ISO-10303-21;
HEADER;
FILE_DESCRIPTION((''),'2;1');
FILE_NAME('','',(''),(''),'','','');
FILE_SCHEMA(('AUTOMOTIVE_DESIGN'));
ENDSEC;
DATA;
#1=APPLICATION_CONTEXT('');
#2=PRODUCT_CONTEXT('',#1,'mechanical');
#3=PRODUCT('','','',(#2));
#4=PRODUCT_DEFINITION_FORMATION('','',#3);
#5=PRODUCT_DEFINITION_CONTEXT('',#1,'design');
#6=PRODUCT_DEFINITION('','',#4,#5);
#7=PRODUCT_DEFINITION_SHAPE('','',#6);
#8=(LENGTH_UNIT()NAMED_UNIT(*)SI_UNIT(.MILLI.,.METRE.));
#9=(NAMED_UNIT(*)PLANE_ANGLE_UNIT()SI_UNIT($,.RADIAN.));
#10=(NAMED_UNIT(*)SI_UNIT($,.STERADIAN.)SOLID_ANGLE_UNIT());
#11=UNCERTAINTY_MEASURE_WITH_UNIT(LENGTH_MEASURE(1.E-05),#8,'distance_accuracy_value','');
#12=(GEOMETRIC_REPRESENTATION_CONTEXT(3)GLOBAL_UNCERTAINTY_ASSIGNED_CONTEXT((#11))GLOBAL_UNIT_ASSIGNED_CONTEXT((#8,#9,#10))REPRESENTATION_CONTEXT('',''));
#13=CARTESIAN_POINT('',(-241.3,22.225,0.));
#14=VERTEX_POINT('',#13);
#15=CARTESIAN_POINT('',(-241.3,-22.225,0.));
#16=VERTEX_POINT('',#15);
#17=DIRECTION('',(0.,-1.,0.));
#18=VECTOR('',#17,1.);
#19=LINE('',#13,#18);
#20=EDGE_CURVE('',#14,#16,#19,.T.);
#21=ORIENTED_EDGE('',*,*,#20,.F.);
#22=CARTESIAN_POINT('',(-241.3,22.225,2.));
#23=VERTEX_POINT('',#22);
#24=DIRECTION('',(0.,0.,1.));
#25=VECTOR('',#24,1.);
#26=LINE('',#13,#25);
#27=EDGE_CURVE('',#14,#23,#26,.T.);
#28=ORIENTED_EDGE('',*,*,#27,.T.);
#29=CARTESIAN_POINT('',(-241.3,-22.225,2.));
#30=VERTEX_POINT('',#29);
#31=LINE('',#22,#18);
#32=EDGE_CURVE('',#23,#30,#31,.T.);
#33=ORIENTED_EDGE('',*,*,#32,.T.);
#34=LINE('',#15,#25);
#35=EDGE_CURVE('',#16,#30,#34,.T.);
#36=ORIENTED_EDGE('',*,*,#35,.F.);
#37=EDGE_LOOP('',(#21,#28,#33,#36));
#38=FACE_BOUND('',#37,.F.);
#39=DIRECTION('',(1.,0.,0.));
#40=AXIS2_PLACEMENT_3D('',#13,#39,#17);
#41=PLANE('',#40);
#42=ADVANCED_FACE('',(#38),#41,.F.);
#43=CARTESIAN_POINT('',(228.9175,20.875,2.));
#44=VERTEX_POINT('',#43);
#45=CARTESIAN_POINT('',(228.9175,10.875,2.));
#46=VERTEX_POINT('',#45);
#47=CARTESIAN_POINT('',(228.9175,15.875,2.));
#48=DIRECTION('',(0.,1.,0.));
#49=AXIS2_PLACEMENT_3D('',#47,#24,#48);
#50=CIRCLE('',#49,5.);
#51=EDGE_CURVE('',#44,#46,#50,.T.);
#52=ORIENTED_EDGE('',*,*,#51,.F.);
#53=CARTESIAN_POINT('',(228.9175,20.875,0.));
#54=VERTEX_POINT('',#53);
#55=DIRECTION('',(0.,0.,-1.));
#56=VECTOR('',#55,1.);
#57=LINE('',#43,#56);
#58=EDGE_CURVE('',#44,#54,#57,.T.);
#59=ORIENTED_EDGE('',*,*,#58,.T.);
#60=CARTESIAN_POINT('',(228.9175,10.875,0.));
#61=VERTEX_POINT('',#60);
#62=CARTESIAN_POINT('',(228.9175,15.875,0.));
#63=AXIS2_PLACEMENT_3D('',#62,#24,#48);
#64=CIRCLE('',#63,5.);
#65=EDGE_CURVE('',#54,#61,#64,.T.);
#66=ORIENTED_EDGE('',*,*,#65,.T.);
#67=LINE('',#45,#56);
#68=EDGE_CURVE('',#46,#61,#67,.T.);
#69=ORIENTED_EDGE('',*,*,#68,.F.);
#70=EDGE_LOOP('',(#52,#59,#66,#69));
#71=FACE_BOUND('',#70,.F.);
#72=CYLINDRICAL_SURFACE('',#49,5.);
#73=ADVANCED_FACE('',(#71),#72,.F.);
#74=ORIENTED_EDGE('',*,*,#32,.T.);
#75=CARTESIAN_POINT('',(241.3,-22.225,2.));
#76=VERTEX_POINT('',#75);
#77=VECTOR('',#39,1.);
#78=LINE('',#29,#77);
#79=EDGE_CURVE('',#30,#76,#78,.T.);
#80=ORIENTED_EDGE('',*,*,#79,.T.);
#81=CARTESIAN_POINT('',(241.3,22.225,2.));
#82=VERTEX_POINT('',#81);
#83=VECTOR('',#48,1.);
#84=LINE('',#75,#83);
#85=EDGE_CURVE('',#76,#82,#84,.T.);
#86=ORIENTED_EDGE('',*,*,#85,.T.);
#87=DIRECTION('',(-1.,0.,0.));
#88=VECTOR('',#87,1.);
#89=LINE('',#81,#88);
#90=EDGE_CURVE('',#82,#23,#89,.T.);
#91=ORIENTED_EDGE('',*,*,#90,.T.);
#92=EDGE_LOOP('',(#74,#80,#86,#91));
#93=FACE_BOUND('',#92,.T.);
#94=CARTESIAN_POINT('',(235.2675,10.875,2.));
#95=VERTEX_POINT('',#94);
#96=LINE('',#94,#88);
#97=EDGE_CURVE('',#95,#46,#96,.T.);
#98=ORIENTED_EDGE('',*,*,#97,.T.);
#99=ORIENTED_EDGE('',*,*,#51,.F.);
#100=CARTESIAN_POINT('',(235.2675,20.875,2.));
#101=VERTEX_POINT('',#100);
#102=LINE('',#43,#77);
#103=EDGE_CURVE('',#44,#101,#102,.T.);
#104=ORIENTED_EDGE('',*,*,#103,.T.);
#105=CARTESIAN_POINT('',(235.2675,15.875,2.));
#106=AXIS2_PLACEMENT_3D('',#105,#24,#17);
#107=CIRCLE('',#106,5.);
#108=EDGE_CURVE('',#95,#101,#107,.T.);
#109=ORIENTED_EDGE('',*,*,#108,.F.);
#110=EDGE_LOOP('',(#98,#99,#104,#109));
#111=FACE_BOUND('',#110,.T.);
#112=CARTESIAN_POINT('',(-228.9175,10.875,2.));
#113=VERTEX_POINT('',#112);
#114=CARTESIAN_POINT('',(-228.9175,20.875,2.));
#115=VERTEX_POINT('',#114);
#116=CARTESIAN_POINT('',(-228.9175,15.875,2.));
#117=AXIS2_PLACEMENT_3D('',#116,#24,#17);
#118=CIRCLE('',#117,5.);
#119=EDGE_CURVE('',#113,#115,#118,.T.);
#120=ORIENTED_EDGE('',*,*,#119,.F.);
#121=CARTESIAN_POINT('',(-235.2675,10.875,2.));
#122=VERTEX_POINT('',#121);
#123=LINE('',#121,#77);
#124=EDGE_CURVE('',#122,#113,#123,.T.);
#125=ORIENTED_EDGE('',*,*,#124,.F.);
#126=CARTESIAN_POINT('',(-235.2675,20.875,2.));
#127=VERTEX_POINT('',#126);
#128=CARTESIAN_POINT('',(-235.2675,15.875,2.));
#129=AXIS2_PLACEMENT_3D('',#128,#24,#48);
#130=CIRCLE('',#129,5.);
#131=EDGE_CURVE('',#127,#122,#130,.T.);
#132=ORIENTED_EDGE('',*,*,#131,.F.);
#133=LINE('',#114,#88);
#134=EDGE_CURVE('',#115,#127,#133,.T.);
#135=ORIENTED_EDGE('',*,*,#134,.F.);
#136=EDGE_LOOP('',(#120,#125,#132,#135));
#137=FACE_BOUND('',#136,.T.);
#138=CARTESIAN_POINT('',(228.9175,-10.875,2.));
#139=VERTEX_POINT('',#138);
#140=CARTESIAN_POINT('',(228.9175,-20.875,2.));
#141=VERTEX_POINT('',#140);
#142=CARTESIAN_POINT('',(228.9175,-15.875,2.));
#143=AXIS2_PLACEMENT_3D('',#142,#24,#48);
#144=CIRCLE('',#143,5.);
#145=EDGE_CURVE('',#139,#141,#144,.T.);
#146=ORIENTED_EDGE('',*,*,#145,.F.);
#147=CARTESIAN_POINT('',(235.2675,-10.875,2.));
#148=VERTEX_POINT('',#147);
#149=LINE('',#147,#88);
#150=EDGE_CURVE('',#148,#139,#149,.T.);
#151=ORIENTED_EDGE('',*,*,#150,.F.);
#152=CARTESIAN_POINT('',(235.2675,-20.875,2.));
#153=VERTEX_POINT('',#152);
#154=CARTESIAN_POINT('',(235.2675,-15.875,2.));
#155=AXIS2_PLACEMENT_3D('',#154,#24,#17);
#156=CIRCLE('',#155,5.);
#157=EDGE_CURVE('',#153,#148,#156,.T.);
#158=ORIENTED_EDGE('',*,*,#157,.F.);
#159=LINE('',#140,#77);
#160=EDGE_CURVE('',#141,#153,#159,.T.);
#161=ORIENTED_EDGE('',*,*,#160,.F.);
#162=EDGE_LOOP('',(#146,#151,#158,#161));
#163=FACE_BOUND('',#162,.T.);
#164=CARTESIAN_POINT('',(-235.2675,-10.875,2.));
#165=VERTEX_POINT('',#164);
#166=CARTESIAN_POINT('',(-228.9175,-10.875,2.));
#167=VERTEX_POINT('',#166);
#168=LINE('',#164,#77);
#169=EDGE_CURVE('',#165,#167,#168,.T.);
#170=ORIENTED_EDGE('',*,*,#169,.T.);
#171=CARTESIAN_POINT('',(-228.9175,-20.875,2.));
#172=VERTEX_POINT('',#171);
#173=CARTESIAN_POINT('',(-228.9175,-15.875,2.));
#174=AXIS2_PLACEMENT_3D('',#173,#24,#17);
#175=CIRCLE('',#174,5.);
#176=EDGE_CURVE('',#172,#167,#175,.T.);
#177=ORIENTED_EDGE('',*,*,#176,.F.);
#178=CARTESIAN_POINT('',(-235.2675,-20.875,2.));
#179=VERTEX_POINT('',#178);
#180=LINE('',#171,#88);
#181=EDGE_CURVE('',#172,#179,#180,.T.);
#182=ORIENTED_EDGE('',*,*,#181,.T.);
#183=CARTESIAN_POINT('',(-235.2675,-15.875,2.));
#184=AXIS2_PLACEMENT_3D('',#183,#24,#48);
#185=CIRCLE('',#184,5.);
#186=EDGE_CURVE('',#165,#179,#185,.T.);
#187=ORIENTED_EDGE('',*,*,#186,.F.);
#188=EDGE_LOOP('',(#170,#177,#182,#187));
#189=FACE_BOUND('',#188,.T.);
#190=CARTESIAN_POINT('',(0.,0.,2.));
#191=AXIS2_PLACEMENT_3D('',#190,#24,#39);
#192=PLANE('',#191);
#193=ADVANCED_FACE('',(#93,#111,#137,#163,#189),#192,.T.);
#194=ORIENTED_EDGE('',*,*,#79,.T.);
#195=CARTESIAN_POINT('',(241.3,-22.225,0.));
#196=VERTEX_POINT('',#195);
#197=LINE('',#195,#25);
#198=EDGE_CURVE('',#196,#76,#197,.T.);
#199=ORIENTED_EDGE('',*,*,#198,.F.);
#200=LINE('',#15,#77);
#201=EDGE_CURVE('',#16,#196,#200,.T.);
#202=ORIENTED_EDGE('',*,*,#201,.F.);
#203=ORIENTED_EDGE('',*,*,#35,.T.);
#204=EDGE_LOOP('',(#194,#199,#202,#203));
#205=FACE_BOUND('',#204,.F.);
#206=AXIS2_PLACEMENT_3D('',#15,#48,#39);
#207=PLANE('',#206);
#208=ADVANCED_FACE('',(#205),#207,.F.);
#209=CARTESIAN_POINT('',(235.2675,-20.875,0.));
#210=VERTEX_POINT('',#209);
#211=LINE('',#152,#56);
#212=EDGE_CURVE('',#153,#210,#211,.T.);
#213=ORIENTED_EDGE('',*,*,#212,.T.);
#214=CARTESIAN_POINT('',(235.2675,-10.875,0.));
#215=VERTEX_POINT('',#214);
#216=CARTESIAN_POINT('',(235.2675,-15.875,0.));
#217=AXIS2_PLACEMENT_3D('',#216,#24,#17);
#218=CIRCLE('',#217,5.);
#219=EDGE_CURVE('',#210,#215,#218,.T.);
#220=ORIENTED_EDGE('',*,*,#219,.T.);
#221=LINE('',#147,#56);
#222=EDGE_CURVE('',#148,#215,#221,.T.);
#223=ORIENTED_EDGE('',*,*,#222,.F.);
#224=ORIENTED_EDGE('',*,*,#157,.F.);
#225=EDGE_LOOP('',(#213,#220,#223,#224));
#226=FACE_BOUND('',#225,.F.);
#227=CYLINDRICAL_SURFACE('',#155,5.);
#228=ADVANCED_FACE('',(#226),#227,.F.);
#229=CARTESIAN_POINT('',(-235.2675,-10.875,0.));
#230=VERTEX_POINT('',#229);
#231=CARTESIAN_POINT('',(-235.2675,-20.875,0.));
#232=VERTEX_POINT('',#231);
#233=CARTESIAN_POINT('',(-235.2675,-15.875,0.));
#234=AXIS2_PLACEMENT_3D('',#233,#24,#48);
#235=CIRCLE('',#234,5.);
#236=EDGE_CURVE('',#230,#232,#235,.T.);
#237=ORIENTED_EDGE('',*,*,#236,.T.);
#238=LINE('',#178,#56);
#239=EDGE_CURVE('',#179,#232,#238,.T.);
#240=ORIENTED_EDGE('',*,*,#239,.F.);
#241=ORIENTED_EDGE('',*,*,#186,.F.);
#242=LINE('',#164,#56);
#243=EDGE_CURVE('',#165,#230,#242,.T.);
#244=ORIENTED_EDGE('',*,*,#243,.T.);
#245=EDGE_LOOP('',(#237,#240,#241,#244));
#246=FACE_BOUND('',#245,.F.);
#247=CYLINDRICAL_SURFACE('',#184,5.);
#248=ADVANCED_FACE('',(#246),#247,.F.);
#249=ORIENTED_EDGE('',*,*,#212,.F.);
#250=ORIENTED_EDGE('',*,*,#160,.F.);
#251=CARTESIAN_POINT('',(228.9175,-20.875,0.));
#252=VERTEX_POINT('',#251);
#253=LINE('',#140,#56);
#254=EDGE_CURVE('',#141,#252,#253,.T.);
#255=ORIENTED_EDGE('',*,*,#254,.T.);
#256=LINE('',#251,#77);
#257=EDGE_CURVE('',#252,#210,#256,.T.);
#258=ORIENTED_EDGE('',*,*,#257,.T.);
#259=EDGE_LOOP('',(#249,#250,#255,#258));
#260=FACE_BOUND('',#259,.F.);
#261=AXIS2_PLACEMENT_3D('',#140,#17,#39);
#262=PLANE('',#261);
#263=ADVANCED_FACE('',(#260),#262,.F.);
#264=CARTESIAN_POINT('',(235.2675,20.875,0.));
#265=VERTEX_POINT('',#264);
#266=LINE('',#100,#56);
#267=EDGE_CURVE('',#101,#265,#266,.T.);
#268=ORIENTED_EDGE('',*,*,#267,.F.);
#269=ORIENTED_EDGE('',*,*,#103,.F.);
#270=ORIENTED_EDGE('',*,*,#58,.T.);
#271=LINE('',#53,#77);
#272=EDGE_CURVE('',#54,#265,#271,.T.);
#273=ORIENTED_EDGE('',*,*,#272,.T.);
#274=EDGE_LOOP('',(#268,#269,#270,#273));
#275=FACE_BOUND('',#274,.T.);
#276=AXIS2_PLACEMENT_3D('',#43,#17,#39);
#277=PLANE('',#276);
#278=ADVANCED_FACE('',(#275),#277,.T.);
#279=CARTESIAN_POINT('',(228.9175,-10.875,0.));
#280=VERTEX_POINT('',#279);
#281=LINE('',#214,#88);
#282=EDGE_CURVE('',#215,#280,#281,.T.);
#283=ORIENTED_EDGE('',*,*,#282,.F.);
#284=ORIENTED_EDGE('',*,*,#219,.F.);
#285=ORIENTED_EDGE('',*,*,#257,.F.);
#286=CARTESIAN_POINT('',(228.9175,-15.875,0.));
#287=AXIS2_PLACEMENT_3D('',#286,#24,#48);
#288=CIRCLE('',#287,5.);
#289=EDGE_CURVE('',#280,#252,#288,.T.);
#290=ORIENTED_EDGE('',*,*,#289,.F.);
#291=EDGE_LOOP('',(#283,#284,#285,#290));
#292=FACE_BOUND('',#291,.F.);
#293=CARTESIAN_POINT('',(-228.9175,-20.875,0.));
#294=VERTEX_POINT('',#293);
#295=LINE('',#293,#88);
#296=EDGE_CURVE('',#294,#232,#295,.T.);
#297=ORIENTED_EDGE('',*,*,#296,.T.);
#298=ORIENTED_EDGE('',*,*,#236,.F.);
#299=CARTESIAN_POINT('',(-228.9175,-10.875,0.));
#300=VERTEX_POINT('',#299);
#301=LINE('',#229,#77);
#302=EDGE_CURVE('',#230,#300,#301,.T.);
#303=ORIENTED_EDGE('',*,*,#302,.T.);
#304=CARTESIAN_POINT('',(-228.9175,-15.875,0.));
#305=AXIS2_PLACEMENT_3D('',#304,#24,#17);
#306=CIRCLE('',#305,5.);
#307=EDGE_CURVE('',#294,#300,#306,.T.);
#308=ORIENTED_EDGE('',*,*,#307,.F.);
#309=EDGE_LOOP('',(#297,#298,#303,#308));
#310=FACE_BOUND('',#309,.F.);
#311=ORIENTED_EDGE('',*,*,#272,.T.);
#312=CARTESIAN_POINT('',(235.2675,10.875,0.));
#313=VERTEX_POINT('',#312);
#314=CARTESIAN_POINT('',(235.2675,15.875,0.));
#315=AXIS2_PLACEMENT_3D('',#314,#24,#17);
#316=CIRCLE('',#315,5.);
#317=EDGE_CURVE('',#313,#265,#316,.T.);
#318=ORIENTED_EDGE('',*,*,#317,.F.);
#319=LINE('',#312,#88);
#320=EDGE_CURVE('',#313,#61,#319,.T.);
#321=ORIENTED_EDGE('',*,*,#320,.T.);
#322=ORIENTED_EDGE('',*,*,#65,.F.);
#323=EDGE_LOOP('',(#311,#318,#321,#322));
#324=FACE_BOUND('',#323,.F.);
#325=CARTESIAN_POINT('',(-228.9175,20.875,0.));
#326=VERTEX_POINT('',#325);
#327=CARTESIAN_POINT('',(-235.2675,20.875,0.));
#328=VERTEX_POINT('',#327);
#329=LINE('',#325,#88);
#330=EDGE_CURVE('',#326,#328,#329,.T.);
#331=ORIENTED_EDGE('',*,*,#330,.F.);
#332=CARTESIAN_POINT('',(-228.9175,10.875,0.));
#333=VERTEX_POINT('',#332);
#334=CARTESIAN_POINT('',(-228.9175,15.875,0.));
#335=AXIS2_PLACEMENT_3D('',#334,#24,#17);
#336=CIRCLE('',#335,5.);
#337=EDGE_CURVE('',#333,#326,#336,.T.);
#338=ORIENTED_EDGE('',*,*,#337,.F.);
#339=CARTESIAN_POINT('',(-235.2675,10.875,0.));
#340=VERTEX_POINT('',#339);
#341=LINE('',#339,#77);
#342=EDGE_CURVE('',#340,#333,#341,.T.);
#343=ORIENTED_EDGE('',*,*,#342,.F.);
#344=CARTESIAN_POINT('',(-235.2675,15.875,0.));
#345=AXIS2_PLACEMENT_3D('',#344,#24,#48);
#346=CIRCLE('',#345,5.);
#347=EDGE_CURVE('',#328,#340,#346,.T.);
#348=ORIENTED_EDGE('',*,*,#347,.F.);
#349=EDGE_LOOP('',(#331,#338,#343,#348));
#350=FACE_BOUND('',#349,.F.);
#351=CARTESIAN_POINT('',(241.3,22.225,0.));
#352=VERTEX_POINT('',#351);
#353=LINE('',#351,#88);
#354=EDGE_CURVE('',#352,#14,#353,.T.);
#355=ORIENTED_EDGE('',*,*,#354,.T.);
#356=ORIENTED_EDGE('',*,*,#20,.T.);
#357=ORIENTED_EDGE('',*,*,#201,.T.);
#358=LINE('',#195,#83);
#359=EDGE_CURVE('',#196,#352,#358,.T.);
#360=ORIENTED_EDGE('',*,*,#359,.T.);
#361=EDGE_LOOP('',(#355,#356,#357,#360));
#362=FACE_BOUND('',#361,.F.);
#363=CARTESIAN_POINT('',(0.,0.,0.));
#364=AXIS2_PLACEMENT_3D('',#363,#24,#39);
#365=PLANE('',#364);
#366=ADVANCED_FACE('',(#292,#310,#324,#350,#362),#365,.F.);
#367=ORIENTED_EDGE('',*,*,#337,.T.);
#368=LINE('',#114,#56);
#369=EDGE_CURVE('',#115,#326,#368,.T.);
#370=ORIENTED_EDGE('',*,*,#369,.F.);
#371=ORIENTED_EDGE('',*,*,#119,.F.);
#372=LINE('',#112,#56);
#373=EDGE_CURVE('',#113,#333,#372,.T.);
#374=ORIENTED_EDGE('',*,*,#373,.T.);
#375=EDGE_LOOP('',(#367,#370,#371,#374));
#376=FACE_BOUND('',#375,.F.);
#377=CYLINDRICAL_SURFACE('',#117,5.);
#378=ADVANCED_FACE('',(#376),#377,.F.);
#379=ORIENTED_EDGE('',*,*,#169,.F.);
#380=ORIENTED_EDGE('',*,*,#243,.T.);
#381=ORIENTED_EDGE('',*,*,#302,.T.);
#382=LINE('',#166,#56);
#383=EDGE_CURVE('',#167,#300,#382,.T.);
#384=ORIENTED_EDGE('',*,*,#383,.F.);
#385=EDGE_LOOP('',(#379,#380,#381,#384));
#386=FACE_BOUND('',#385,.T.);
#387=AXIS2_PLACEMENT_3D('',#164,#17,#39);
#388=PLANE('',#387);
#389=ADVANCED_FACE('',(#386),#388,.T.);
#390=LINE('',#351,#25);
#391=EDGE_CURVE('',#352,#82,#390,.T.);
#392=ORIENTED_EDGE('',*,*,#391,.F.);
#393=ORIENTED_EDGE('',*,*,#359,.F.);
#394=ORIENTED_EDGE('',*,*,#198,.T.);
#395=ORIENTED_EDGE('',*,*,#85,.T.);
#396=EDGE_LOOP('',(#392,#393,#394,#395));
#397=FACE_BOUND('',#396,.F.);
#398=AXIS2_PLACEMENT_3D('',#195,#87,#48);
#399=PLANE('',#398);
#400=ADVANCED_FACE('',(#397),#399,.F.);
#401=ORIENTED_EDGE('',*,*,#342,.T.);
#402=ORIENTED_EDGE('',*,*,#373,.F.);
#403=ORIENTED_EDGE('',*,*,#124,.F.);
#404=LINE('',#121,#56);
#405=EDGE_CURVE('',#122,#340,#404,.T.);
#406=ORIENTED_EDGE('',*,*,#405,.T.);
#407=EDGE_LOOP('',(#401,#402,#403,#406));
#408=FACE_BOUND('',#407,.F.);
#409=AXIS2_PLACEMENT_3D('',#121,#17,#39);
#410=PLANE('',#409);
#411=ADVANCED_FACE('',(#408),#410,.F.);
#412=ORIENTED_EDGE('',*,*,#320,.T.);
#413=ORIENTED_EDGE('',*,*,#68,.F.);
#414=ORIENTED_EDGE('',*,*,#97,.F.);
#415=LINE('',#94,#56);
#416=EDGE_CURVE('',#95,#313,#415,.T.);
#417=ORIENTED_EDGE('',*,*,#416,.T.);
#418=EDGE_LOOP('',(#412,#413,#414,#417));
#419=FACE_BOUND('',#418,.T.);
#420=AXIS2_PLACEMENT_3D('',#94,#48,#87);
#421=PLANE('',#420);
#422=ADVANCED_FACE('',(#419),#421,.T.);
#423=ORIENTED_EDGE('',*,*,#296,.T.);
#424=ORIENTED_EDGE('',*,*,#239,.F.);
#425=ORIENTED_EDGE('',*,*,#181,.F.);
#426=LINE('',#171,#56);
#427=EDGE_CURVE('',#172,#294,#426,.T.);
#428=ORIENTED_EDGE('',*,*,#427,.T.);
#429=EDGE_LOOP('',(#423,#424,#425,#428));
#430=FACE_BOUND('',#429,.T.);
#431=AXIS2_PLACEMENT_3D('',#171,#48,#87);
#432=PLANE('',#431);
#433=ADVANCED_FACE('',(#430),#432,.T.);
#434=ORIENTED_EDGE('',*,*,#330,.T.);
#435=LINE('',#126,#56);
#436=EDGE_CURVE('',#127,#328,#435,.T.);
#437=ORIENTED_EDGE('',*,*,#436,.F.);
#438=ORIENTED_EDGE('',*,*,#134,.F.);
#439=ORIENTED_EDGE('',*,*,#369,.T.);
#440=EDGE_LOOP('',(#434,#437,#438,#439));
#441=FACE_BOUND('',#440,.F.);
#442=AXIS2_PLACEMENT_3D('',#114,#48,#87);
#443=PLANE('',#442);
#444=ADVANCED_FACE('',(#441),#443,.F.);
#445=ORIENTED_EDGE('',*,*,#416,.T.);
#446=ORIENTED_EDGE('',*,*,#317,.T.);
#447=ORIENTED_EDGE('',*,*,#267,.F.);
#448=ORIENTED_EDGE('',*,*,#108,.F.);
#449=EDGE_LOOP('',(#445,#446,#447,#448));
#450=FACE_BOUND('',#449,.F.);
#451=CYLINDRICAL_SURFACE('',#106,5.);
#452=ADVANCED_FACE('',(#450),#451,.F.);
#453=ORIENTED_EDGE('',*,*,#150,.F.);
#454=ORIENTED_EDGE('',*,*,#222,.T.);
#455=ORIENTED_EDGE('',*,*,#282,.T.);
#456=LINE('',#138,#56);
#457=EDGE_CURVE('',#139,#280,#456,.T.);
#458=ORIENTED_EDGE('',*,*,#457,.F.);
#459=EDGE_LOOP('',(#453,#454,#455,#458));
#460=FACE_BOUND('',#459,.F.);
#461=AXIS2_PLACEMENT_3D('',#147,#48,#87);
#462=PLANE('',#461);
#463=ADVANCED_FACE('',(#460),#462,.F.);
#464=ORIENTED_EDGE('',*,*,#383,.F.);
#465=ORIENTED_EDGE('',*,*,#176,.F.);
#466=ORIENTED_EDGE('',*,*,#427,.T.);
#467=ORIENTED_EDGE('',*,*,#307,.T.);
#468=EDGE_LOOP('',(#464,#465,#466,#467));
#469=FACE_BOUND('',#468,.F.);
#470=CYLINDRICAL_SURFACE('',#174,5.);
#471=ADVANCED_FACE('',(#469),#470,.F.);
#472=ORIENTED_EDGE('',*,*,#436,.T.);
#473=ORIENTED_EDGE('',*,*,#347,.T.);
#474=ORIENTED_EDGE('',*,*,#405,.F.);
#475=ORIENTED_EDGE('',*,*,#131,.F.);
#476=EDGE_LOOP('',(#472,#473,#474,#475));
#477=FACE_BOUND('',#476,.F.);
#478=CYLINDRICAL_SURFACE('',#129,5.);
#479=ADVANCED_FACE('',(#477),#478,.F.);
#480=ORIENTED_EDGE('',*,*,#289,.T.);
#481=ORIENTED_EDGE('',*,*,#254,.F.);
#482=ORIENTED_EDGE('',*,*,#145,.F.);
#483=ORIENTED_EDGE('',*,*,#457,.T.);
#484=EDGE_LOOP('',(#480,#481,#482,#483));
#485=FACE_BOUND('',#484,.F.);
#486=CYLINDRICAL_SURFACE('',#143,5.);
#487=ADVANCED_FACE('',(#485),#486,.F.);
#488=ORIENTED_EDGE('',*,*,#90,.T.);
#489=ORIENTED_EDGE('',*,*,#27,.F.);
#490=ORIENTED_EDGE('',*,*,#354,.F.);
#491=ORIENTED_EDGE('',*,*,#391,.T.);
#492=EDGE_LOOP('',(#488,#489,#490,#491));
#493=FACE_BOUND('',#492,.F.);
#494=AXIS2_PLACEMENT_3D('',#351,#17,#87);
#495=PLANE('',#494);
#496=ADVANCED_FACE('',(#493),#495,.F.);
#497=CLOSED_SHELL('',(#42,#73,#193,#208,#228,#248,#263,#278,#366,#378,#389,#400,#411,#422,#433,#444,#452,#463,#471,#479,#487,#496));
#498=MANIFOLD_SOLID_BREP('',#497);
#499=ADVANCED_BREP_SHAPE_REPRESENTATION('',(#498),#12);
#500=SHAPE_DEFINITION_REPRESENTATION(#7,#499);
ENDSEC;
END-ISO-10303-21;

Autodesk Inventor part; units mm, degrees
ref_plane "YZ Plane" through (0, 0, 0) normal (1, 0, 0) x (0, 1, 0)
ref_plane "XZ Plane" through (0, 0, 0) normal (0, 1, 0) x (-1, 0, 0)
ref_plane "XY Plane" through (0, 0, 0) normal (0, 0, 1) x (1, 0, 0)
sketch "Sketch1" plane through (0, 0, 0) normal (0, 0, 1) x (1, 0, 0)
  line L0 (-241.3, -22.225) -> (241.3, -22.225)
  line L1 (241.3, -22.225) -> (241.3, 22.225)
  line L2 (241.3, 22.225) -> (-241.3, 22.225)
  line L3 (-241.3, 22.225) -> (-241.3, -22.225)
  line L4 (-241.3, -22.225) -> (241.3, 22.225) construction
  line L5 (241.3, -22.225) -> (-241.3, 22.225) construction
  point P0 (0, 0)
  dimension "d0" = 482.6
  dimension "d1" = 44.45
extrude "Extrusion1" add sketch "Sketch1" along normal blind 2
sketch "Sketch2" plane through (0, 0, 2) normal (0, 0, 1) x (1, 0, 0)
  line L0 (-235.2675, 15.875) -> (-228.9175, 15.875) construction
  line L1 (-235.2675, 10.875) -> (-228.9175, 10.875)
  line L2 (-228.9175, 20.875) -> (-235.2675, 20.875)
  arc A0 (-235.2675, 20.875) -> (-235.2675, 10.875) centre (-235.2675, 15.875) ccw
  arc A1 (-228.9175, 10.875) -> (-228.9175, 20.875) centre (-228.9175, 15.875) ccw
  line L3 (241.3, 22.225) -> (-241.3, 22.225) projected
  line L4 (-241.3, 22.225) -> (-241.3, -22.225) projected
  line L5 (-241.3, 0) -> (241.3, 0) construction
  line L6 (0, 22.225) -> (0, -22.225) construction
  line L7 (-235.2675, -15.875) -> (-228.9175, -15.875) construction
  line L8 (-235.2675, -10.875) -> (-228.9175, -10.875)
  line L9 (-228.9175, -20.875) -> (-235.2675, -20.875)
  arc A2 (-235.2675, -10.875) -> (-235.2675, -20.875) centre (-235.2675, -15.875) ccw
  arc A3 (-228.9175, -20.875) -> (-228.9175, -10.875) centre (-228.9175, -15.875) ccw
  line L10 (235.2675, 15.875) -> (228.9175, 15.875) construction
  line L11 (235.2675, 10.875) -> (228.9175, 10.875)
  line L12 (228.9175, 20.875) -> (235.2675, 20.875)
  arc A4 (235.2675, 10.875) -> (235.2675, 20.875) centre (235.2675, 15.875) ccw
  arc A5 (228.9175, 20.875) -> (228.9175, 10.875) centre (228.9175, 15.875) ccw
  line L13 (235.2675, -15.875) -> (228.9175, -15.875) construction
  line L14 (235.2675, -10.875) -> (228.9175, -10.875)
  line L15 (228.9175, -20.875) -> (235.2675, -20.875)
  arc A6 (235.2675, -20.875) -> (235.2675, -10.875) centre (235.2675, -15.875) ccw
  arc A7 (228.9175, -10.875) -> (228.9175, -20.875) centre (228.9175, -15.875) ccw
  point P0 (0, 0)
  point P1 (-232.0925, 15.875)
  point P2 (-232.0925, -15.875)
  point P3 (232.0925, 15.875)
  point P4 (232.0925, -15.875)
  dimension "d13" = 5
  dimension "d14" = 6.35
  dimension "d15" = 6.35
  dimension "d16" = 9.2075
extrude "Extrusion2" cut sketch "Sketch2" against normal up to surface (2 mm away)
properties part number "PatchPanel_front"
